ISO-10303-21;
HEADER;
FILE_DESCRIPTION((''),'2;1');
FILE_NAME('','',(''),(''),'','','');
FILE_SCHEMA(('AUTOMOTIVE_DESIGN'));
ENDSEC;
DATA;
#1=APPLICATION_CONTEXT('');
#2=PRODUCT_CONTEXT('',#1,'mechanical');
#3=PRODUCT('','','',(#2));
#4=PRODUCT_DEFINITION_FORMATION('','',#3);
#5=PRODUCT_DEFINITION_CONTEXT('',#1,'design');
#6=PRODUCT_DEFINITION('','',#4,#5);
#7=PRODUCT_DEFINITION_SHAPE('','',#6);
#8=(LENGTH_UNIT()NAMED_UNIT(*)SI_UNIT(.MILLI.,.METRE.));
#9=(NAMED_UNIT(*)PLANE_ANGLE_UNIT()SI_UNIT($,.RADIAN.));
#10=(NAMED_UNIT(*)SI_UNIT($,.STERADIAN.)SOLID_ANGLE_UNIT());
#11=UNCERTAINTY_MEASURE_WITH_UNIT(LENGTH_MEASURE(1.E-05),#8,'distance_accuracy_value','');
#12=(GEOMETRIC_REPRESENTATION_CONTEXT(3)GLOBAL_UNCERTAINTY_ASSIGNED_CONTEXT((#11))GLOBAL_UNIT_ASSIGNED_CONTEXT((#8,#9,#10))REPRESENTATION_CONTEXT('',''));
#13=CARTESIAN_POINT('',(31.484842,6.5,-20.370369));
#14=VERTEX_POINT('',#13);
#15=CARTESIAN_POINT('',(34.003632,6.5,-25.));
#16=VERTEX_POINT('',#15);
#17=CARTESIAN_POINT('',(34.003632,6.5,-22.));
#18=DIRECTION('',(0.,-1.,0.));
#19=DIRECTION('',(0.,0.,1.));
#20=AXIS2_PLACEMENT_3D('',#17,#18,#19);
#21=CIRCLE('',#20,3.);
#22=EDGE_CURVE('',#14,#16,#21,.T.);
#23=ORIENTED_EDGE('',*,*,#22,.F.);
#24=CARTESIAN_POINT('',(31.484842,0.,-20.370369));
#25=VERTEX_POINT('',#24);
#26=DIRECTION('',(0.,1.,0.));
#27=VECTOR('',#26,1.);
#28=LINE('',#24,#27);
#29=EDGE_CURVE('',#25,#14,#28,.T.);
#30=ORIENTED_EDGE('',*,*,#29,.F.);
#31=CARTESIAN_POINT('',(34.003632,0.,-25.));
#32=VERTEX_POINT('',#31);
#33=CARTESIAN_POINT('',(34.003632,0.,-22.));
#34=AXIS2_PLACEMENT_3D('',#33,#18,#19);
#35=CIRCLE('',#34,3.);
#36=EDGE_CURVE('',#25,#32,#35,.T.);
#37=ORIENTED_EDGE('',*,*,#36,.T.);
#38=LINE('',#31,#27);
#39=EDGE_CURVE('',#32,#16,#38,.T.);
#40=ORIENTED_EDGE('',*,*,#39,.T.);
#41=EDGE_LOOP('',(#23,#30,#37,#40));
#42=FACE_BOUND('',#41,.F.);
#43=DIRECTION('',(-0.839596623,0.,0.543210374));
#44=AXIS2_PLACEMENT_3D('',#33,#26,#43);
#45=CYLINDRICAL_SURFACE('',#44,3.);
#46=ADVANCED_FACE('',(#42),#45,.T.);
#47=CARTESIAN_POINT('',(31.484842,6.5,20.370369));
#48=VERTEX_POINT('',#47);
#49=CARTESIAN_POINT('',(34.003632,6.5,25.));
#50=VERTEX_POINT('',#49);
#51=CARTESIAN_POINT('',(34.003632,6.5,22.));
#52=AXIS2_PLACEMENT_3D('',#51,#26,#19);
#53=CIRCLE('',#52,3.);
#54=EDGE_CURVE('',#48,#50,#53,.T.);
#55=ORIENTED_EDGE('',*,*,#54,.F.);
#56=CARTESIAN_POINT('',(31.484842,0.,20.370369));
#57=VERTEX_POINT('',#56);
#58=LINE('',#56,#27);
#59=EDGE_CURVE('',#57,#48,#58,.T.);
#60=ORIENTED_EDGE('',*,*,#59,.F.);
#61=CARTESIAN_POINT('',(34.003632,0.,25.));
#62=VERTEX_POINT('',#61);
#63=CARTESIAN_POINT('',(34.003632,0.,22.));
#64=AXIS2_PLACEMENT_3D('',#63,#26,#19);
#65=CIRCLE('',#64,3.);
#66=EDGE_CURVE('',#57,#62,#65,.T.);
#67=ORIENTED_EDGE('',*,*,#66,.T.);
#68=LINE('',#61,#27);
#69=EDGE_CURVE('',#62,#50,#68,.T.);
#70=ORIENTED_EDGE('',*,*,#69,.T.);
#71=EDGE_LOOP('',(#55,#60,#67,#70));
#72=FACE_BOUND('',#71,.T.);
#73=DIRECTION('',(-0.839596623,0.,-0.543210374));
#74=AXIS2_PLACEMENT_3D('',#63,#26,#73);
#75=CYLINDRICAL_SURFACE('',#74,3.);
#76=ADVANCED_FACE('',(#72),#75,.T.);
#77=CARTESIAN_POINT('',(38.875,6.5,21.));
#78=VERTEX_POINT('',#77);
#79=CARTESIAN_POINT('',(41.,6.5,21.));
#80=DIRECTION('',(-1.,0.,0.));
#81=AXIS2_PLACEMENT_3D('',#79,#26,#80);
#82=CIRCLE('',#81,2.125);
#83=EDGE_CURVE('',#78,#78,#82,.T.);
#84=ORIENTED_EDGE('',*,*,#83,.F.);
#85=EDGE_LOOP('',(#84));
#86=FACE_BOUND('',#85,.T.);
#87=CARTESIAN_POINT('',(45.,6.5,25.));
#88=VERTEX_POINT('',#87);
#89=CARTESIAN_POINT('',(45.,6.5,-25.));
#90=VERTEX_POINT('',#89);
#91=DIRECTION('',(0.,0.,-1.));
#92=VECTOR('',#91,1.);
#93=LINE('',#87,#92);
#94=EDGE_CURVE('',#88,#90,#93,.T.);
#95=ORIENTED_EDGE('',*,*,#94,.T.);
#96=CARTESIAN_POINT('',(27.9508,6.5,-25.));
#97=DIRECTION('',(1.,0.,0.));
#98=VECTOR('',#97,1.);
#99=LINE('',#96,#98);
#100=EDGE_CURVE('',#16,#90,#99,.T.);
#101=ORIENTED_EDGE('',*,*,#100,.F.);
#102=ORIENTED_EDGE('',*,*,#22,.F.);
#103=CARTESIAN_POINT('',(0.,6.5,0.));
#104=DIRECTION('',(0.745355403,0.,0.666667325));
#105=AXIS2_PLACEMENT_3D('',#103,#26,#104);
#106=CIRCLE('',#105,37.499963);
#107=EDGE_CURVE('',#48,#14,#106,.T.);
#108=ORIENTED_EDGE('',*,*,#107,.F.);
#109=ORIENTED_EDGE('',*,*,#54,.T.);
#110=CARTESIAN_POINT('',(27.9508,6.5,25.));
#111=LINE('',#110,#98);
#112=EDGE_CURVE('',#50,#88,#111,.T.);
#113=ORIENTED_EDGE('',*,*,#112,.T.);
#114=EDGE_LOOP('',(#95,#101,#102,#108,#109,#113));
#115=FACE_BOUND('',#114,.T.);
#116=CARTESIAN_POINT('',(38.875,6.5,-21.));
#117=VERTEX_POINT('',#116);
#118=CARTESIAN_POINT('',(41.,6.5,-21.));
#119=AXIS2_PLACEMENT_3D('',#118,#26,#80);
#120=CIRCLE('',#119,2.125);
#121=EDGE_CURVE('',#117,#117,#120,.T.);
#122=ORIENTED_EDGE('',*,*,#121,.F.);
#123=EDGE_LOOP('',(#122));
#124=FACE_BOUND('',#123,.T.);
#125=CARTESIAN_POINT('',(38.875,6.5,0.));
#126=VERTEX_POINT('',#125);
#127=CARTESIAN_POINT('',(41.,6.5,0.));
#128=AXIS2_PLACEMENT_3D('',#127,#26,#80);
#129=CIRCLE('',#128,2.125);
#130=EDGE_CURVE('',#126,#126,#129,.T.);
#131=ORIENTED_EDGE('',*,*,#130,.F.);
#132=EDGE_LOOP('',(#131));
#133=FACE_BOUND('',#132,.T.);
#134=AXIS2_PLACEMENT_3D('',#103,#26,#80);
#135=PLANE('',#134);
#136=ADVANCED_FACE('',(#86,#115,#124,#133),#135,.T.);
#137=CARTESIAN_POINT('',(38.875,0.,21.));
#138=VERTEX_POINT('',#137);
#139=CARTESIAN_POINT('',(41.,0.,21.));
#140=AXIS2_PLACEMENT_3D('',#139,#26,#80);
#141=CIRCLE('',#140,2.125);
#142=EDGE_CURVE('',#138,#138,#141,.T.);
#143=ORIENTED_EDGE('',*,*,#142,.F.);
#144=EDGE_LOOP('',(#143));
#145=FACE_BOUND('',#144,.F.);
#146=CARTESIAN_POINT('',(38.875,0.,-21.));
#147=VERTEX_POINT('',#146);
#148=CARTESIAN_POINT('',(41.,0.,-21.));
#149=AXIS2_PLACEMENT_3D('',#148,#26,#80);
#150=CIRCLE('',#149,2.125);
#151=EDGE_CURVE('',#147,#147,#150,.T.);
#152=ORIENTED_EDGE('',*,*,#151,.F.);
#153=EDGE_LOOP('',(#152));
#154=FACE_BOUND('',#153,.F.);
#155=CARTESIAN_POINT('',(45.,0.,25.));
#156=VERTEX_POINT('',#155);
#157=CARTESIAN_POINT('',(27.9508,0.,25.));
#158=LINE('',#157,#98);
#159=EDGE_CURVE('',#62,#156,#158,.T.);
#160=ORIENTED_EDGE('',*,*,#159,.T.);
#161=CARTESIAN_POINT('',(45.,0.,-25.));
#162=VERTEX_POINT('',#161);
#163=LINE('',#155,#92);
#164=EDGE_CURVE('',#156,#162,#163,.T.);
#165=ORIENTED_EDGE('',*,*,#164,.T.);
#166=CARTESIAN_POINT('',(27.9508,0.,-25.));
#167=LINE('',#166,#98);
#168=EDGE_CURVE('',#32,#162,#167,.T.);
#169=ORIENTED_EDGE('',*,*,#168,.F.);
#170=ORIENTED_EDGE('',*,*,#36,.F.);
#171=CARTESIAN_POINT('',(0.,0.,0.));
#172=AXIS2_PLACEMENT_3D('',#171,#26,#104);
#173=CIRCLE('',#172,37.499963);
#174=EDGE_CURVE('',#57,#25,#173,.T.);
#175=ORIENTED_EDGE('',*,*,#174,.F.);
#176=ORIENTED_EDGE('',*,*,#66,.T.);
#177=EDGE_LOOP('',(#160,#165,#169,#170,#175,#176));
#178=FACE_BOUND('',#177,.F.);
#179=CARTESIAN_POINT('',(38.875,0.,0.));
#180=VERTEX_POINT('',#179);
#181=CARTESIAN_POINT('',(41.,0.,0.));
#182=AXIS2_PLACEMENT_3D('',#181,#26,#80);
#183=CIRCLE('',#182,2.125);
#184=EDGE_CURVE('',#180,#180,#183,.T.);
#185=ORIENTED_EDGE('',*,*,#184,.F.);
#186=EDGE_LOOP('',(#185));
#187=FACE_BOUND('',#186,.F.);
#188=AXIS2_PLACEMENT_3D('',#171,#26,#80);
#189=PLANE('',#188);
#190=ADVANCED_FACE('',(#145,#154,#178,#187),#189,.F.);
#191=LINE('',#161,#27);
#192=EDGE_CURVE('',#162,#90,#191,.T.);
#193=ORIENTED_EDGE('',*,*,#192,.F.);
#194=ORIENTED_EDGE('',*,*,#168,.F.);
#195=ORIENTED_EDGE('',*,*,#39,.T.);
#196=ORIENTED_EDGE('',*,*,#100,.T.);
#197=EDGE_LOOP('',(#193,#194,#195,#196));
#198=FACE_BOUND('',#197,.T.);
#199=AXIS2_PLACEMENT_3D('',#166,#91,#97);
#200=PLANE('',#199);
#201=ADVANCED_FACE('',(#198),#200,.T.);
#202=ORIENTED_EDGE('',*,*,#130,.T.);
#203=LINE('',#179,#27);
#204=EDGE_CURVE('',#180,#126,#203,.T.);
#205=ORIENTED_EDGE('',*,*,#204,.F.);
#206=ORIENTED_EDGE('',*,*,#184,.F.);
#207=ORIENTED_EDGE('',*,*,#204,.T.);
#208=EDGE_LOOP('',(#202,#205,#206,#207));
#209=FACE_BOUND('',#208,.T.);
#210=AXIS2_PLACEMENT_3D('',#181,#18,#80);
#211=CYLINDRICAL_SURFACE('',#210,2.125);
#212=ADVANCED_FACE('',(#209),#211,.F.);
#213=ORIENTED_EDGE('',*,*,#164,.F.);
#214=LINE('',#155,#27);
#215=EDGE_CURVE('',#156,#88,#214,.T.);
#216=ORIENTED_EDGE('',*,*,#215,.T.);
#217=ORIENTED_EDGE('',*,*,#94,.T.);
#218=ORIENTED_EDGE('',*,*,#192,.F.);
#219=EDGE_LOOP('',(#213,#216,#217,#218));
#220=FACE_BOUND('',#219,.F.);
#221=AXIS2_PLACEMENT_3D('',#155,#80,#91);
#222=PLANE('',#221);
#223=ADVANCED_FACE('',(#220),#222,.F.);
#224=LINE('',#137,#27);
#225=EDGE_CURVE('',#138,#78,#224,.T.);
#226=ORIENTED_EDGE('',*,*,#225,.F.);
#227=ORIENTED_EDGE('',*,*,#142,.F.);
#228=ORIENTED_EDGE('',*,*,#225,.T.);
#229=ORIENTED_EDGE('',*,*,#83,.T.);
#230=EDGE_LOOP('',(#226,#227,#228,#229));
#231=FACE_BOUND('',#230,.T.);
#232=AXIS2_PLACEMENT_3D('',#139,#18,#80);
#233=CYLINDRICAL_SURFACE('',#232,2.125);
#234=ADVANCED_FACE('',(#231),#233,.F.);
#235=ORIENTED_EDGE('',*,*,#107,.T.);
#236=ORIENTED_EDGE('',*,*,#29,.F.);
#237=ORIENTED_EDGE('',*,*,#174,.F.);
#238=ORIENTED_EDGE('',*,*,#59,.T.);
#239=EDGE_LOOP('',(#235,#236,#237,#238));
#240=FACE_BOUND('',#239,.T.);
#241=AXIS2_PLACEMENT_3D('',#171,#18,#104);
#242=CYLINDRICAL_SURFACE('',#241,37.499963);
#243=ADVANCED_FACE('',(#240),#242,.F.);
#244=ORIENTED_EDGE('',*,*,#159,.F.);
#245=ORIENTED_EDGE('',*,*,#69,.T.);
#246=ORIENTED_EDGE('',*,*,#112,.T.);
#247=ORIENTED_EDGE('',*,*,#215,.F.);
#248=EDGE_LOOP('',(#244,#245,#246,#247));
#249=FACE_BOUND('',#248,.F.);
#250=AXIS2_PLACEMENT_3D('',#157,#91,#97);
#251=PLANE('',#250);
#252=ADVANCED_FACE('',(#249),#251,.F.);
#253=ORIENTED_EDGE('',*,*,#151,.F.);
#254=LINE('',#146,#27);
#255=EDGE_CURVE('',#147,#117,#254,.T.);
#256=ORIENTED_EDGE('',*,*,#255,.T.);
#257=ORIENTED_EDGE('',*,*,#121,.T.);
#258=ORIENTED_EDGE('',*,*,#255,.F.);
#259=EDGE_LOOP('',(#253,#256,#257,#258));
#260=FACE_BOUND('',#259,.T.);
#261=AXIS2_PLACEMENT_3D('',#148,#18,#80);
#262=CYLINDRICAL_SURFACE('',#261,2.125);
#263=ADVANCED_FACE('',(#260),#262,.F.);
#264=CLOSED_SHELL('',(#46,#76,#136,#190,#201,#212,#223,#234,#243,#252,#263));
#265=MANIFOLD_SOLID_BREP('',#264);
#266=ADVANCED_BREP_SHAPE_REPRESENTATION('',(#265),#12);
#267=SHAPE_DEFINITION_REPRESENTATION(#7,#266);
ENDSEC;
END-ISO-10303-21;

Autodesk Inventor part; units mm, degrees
ref_plane "YZ Plane" through (0, 0, 0) normal (1, 0, 0) x (0, 1, 0)
ref_plane "XZ Plane" through (0, 0, 0) normal (0, 1, 0) x (-1, 0, 0)
ref_plane "XY Plane" through (0, 0, 0) normal (0, 0, 1) x (1, 0, 0)
sketch "Sketch1" plane through (0, 0, 0) normal (0, 1, 0) x (-1, 0, 0)
  arc A0 (-27.9508, 25) -> (-27.9508, -25) centre (0, 0) ccw
  line L0 (-27.9508, 25) -> (-45, 25)
  line L1 (-27.9508, -25) -> (-45, -25)
  line L2 (-45, 25) -> (-45, -25)
  circle A1 centre (-41, 21) radius 2.125
  circle A2 centre (-41, 0) radius 2.125
  circle A3 centre (-41, -21) radius 2.125
  dimension "d0" = 75
  dimension "d3" = 25
  dimension "d4" = 25
  dimension "d5" = 45
  dimension "d6" = 4.25
  dimension "d7" = 4.25
  dimension "d8" = 4.25
  dimension "d9" = 4
  dimension "d10" = 4
  dimension "d11" = 4
  dimension "d12" = 25
  dimension "d13" = 4
  dimension "d14" = 4
extrude "Extrusion1" add sketch "Sketch1" along normal blind 6.5
fillet "Fillet1" radius 3 2 edges at (27.9508, 3.25, 25) (27.9508, 3.25, -25)
properties part number "feeder_stack"
